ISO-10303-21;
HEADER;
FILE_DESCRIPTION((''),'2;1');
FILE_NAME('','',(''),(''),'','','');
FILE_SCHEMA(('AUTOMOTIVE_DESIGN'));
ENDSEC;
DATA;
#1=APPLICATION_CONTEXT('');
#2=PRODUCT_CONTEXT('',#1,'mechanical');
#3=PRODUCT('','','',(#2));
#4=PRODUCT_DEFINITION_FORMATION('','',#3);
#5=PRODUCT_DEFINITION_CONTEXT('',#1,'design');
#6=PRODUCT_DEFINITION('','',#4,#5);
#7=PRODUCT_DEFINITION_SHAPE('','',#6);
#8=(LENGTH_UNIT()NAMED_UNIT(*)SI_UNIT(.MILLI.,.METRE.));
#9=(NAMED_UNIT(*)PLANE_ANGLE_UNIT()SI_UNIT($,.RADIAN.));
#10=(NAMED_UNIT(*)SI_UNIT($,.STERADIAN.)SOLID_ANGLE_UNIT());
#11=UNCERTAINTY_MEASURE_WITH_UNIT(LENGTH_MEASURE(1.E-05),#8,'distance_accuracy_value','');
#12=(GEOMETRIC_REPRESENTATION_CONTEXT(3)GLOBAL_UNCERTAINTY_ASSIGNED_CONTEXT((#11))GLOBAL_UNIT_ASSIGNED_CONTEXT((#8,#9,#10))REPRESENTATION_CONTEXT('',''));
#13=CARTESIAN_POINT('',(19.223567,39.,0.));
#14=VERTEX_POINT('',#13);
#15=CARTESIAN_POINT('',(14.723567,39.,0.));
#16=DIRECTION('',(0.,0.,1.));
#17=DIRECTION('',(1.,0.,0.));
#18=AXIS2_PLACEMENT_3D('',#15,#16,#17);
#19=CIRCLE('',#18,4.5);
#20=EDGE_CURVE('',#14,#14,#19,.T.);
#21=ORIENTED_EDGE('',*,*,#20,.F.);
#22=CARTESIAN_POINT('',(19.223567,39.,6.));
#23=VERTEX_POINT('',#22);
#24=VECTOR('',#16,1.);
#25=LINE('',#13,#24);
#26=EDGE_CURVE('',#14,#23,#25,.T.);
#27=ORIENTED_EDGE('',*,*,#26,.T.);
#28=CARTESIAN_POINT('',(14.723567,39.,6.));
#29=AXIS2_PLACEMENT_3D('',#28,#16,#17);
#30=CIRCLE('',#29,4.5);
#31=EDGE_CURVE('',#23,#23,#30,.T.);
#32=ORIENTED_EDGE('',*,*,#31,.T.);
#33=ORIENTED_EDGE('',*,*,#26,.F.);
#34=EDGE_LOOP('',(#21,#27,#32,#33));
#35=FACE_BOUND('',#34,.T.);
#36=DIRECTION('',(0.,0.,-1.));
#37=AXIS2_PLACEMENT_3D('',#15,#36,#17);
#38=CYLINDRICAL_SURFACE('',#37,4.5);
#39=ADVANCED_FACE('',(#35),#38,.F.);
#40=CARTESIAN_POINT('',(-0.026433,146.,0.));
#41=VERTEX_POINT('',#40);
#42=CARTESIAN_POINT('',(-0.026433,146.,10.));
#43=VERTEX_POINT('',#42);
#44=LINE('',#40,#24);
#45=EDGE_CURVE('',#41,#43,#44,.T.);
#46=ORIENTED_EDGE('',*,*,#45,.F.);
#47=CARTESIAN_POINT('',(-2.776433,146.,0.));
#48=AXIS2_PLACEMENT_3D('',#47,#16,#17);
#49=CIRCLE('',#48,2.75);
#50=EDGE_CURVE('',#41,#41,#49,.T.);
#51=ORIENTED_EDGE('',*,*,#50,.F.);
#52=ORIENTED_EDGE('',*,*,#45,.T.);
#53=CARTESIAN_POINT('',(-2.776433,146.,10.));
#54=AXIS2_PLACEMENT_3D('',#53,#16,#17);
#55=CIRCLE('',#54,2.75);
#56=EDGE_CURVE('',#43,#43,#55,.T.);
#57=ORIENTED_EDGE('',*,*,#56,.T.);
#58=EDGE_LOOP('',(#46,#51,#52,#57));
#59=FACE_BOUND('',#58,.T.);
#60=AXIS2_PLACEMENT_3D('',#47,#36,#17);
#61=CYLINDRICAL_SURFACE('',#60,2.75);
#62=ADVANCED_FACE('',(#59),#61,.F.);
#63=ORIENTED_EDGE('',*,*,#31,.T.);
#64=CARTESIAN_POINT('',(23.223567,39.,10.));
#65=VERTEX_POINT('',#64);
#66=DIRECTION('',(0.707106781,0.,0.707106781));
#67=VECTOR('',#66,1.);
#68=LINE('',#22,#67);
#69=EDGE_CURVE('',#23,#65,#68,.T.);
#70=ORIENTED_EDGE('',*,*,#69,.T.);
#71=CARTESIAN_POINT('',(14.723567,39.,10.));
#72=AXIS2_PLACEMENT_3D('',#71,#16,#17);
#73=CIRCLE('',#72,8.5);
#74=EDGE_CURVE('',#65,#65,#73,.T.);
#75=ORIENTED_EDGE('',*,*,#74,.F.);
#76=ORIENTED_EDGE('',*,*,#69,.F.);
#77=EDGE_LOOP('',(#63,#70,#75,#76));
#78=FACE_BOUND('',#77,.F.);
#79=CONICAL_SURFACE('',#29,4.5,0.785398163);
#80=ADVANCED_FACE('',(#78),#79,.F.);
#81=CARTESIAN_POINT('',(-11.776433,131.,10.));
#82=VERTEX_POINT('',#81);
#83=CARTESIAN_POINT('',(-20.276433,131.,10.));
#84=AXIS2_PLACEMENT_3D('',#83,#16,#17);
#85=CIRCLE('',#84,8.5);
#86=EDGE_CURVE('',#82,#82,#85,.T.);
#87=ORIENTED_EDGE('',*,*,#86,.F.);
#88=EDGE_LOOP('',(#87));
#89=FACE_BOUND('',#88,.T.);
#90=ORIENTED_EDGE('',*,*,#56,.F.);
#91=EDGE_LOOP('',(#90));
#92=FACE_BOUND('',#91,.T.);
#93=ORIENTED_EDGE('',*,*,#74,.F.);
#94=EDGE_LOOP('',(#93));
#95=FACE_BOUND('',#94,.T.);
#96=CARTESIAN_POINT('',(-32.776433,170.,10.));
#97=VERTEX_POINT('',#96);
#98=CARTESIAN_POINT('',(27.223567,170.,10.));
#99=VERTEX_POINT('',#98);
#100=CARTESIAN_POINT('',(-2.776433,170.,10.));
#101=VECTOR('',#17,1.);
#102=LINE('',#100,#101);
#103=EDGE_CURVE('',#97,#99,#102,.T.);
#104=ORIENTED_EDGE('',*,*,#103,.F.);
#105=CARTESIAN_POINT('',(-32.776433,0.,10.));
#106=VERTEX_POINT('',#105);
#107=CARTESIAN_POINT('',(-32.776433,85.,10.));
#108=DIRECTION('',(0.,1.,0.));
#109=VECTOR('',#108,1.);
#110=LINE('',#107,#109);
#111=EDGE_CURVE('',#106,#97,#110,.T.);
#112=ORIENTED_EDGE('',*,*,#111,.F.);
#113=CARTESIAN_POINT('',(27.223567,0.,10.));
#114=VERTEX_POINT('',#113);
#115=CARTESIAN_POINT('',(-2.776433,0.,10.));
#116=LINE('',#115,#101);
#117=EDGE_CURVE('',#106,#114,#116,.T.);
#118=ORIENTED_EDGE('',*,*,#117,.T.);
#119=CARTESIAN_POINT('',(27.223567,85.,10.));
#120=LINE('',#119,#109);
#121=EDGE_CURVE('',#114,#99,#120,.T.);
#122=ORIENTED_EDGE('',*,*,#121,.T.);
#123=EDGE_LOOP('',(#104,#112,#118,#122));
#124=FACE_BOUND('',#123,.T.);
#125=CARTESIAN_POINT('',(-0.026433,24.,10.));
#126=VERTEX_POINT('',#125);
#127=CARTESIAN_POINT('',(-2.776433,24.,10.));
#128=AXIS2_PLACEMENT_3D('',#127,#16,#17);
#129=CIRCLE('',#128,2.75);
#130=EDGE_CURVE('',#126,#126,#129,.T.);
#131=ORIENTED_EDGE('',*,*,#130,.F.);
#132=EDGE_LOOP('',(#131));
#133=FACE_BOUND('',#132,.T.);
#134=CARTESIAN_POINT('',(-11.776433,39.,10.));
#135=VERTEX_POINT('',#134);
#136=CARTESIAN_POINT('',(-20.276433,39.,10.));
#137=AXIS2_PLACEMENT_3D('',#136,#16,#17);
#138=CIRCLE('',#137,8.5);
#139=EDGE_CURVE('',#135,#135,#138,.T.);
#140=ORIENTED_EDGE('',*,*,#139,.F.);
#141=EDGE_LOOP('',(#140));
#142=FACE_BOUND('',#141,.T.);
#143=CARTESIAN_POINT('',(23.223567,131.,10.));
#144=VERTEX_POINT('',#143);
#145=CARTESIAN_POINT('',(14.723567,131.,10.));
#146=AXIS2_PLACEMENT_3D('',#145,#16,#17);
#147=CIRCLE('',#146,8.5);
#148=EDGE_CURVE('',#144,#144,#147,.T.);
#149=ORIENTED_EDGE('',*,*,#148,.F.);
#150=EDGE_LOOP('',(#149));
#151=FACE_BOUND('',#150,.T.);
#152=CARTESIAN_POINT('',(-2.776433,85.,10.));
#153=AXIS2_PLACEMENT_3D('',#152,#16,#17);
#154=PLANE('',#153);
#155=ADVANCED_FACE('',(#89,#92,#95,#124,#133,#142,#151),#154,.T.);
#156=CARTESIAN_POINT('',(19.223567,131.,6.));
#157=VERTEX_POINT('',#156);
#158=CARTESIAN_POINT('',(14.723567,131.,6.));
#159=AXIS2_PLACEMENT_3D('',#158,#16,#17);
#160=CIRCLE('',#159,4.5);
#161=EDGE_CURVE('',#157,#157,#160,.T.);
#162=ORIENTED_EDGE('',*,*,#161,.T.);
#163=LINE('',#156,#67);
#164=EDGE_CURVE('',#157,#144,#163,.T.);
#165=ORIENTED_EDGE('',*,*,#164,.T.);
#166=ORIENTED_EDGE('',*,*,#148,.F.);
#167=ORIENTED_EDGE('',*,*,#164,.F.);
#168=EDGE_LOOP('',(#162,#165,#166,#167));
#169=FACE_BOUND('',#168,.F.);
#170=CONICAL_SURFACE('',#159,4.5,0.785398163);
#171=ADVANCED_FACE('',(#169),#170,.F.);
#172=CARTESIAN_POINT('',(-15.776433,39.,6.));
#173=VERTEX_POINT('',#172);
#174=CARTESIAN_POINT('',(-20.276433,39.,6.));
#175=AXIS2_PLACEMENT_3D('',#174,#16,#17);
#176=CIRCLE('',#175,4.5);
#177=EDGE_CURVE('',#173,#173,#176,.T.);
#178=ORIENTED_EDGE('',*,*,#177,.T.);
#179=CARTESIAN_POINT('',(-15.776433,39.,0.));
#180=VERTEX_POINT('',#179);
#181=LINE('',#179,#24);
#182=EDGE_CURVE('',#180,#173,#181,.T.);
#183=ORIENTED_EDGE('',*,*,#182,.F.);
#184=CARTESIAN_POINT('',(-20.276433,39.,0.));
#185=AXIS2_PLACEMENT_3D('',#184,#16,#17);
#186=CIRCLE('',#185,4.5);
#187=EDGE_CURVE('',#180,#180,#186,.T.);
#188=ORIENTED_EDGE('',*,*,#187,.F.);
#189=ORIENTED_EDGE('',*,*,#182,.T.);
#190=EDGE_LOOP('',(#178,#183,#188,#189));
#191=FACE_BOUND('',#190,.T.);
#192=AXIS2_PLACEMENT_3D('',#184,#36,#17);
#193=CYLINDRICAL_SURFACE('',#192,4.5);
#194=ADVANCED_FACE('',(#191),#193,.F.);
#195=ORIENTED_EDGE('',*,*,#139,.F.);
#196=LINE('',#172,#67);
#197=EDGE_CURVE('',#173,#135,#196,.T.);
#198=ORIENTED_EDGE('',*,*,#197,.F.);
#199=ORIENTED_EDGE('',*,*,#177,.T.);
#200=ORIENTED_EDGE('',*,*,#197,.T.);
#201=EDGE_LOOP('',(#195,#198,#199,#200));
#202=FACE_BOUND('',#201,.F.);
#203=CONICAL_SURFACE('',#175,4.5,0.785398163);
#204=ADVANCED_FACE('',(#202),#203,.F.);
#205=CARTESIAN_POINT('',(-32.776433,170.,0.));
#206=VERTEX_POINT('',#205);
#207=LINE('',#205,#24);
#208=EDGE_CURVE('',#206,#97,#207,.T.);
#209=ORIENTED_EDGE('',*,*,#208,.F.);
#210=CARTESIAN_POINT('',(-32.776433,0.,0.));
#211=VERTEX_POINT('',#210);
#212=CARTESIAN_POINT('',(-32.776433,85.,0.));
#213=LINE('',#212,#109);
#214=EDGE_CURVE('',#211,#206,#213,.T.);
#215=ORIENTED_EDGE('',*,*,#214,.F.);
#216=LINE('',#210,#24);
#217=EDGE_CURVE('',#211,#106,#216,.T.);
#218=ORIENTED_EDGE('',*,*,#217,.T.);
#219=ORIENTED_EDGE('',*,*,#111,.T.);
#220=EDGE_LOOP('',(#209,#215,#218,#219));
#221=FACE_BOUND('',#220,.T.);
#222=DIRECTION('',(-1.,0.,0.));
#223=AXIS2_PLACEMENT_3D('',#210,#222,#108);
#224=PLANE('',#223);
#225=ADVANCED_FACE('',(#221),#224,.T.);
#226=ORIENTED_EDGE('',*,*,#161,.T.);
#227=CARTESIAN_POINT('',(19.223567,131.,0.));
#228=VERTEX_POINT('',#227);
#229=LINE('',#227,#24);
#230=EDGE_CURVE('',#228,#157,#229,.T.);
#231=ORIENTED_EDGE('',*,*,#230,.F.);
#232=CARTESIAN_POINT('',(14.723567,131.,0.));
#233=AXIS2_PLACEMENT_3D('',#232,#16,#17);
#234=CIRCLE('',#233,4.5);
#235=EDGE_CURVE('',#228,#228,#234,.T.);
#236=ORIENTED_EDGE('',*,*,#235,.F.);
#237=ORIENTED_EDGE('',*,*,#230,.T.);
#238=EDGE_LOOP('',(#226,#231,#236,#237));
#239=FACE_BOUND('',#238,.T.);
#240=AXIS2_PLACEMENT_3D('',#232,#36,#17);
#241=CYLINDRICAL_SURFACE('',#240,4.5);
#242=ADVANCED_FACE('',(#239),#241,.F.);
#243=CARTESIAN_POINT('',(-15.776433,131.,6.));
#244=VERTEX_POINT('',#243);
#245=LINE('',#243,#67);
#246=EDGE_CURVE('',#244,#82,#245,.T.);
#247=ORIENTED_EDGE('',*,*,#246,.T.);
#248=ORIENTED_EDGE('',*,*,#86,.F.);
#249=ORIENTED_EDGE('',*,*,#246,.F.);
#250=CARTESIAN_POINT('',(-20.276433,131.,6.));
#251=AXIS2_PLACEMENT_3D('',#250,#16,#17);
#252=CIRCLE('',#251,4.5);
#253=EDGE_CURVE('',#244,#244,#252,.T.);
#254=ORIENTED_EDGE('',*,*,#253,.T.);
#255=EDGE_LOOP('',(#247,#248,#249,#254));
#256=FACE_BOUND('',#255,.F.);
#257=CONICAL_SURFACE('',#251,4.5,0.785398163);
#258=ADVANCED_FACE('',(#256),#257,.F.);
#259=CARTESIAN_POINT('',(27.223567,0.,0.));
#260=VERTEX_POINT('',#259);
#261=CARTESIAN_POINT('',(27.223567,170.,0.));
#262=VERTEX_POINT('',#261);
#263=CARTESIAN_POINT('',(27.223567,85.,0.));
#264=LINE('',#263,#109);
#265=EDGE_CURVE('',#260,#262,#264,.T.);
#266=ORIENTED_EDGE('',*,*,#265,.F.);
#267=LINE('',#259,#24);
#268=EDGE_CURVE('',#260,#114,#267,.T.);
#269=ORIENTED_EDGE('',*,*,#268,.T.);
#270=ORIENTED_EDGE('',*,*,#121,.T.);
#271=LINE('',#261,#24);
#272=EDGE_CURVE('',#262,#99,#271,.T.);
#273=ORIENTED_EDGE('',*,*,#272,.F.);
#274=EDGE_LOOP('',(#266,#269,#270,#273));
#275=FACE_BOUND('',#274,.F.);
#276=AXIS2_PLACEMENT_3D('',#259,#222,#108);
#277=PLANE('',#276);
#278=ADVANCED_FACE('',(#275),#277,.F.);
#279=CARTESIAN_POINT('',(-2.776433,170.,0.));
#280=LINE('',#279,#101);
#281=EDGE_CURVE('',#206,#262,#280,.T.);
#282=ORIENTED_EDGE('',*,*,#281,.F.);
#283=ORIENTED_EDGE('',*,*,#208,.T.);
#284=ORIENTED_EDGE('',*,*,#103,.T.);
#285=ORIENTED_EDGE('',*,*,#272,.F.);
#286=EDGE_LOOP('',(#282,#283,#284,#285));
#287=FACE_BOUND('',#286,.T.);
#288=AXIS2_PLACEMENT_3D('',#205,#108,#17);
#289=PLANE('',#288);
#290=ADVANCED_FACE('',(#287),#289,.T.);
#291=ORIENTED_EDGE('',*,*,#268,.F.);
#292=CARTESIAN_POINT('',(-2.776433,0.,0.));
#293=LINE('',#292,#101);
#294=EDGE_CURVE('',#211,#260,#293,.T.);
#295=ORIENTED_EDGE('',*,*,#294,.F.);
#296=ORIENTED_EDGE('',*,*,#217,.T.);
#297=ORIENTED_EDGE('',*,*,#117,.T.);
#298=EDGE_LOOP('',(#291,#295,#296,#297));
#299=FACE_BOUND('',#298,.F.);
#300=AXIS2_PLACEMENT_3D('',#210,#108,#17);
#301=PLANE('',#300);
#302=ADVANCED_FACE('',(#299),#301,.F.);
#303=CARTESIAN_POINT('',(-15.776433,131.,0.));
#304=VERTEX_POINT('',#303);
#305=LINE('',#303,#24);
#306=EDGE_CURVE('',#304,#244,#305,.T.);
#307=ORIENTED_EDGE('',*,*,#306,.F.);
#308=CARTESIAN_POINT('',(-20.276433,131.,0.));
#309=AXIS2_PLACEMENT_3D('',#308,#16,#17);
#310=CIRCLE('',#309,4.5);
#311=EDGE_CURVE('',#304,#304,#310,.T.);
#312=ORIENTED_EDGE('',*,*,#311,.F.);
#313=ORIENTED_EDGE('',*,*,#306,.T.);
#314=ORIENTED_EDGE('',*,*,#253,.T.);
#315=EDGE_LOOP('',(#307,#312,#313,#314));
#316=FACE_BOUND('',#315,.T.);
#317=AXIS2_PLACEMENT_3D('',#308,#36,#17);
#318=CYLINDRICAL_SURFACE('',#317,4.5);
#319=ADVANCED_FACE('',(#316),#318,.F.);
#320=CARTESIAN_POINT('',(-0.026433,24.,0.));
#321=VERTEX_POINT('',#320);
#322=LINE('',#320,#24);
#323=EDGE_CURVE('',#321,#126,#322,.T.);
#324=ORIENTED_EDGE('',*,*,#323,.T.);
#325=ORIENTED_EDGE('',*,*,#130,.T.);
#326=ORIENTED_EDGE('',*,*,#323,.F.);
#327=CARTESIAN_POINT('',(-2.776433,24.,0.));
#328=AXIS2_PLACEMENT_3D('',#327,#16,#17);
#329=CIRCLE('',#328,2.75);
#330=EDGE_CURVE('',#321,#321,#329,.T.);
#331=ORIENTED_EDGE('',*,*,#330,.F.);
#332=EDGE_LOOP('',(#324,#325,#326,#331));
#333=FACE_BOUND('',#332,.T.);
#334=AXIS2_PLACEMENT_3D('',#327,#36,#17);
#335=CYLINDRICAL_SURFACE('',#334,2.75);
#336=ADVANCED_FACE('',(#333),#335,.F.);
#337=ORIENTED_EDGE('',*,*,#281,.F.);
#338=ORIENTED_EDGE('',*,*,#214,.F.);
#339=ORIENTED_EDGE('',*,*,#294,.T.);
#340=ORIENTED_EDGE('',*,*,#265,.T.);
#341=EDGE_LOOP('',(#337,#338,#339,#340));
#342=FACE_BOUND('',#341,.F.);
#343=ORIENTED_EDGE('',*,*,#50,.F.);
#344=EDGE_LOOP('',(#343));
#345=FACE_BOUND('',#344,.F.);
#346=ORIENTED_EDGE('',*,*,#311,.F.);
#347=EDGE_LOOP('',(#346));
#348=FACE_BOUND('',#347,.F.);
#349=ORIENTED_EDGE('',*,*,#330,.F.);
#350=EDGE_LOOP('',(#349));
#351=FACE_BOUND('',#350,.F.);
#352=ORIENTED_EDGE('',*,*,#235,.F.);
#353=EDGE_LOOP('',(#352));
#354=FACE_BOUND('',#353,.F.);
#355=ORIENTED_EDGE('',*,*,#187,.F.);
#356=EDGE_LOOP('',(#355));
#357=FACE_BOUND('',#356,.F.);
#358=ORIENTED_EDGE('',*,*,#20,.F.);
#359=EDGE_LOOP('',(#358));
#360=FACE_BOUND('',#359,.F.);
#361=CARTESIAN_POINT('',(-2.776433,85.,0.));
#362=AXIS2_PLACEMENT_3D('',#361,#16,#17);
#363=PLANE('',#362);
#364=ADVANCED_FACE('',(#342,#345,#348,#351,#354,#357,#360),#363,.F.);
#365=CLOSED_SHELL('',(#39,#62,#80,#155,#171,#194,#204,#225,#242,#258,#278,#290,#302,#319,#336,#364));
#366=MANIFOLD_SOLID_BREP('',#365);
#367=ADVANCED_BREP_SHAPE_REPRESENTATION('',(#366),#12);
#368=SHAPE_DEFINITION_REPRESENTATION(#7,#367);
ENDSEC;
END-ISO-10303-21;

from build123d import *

# Parameters (mm, degrees)
F0_W     = 60
F0_H     = 170
F0_R     = 4.5
F0_R_2   = 2.75
F1_DEPTH = 10
F2_SIZE  = 4


with BuildPart() as f1:
    # F0 (on Top) → F1 (new body)
    with BuildSketch(Plane.XY):
        with Locations((-2.776433, 85)):
            Rectangle(F0_W, F0_H)
        with Locations((-20.276433, 39)):
            Circle(F0_R, mode=Mode.SUBTRACT)
        with Locations((-2.776433, 24)):
            Circle(F0_R_2, mode=Mode.SUBTRACT)
        with Locations((14.723567, 39)):
            Circle(F0_R, mode=Mode.SUBTRACT)
        with Locations((-20.276433, 131)):
            Circle(F0_R, mode=Mode.SUBTRACT)
        with Locations((-2.776433, 146)):
            Circle(F0_R_2, mode=Mode.SUBTRACT)
        with Locations((14.723567, 131)):
            Circle(F0_R, mode=Mode.SUBTRACT)
    extrude(amount=F1_DEPTH)

    # F2
    f2_edges = [f1.edges().sort_by_distance(p)[0] for p in [
        (-24.776433, 39, 10),
        (10.223567, 39, 10),
        (10.223567, 131, 10),
        (-24.776433, 131, 10),
    ]]
    chamfer(f2_edges, length=F2_SIZE)


solid = f1.part
